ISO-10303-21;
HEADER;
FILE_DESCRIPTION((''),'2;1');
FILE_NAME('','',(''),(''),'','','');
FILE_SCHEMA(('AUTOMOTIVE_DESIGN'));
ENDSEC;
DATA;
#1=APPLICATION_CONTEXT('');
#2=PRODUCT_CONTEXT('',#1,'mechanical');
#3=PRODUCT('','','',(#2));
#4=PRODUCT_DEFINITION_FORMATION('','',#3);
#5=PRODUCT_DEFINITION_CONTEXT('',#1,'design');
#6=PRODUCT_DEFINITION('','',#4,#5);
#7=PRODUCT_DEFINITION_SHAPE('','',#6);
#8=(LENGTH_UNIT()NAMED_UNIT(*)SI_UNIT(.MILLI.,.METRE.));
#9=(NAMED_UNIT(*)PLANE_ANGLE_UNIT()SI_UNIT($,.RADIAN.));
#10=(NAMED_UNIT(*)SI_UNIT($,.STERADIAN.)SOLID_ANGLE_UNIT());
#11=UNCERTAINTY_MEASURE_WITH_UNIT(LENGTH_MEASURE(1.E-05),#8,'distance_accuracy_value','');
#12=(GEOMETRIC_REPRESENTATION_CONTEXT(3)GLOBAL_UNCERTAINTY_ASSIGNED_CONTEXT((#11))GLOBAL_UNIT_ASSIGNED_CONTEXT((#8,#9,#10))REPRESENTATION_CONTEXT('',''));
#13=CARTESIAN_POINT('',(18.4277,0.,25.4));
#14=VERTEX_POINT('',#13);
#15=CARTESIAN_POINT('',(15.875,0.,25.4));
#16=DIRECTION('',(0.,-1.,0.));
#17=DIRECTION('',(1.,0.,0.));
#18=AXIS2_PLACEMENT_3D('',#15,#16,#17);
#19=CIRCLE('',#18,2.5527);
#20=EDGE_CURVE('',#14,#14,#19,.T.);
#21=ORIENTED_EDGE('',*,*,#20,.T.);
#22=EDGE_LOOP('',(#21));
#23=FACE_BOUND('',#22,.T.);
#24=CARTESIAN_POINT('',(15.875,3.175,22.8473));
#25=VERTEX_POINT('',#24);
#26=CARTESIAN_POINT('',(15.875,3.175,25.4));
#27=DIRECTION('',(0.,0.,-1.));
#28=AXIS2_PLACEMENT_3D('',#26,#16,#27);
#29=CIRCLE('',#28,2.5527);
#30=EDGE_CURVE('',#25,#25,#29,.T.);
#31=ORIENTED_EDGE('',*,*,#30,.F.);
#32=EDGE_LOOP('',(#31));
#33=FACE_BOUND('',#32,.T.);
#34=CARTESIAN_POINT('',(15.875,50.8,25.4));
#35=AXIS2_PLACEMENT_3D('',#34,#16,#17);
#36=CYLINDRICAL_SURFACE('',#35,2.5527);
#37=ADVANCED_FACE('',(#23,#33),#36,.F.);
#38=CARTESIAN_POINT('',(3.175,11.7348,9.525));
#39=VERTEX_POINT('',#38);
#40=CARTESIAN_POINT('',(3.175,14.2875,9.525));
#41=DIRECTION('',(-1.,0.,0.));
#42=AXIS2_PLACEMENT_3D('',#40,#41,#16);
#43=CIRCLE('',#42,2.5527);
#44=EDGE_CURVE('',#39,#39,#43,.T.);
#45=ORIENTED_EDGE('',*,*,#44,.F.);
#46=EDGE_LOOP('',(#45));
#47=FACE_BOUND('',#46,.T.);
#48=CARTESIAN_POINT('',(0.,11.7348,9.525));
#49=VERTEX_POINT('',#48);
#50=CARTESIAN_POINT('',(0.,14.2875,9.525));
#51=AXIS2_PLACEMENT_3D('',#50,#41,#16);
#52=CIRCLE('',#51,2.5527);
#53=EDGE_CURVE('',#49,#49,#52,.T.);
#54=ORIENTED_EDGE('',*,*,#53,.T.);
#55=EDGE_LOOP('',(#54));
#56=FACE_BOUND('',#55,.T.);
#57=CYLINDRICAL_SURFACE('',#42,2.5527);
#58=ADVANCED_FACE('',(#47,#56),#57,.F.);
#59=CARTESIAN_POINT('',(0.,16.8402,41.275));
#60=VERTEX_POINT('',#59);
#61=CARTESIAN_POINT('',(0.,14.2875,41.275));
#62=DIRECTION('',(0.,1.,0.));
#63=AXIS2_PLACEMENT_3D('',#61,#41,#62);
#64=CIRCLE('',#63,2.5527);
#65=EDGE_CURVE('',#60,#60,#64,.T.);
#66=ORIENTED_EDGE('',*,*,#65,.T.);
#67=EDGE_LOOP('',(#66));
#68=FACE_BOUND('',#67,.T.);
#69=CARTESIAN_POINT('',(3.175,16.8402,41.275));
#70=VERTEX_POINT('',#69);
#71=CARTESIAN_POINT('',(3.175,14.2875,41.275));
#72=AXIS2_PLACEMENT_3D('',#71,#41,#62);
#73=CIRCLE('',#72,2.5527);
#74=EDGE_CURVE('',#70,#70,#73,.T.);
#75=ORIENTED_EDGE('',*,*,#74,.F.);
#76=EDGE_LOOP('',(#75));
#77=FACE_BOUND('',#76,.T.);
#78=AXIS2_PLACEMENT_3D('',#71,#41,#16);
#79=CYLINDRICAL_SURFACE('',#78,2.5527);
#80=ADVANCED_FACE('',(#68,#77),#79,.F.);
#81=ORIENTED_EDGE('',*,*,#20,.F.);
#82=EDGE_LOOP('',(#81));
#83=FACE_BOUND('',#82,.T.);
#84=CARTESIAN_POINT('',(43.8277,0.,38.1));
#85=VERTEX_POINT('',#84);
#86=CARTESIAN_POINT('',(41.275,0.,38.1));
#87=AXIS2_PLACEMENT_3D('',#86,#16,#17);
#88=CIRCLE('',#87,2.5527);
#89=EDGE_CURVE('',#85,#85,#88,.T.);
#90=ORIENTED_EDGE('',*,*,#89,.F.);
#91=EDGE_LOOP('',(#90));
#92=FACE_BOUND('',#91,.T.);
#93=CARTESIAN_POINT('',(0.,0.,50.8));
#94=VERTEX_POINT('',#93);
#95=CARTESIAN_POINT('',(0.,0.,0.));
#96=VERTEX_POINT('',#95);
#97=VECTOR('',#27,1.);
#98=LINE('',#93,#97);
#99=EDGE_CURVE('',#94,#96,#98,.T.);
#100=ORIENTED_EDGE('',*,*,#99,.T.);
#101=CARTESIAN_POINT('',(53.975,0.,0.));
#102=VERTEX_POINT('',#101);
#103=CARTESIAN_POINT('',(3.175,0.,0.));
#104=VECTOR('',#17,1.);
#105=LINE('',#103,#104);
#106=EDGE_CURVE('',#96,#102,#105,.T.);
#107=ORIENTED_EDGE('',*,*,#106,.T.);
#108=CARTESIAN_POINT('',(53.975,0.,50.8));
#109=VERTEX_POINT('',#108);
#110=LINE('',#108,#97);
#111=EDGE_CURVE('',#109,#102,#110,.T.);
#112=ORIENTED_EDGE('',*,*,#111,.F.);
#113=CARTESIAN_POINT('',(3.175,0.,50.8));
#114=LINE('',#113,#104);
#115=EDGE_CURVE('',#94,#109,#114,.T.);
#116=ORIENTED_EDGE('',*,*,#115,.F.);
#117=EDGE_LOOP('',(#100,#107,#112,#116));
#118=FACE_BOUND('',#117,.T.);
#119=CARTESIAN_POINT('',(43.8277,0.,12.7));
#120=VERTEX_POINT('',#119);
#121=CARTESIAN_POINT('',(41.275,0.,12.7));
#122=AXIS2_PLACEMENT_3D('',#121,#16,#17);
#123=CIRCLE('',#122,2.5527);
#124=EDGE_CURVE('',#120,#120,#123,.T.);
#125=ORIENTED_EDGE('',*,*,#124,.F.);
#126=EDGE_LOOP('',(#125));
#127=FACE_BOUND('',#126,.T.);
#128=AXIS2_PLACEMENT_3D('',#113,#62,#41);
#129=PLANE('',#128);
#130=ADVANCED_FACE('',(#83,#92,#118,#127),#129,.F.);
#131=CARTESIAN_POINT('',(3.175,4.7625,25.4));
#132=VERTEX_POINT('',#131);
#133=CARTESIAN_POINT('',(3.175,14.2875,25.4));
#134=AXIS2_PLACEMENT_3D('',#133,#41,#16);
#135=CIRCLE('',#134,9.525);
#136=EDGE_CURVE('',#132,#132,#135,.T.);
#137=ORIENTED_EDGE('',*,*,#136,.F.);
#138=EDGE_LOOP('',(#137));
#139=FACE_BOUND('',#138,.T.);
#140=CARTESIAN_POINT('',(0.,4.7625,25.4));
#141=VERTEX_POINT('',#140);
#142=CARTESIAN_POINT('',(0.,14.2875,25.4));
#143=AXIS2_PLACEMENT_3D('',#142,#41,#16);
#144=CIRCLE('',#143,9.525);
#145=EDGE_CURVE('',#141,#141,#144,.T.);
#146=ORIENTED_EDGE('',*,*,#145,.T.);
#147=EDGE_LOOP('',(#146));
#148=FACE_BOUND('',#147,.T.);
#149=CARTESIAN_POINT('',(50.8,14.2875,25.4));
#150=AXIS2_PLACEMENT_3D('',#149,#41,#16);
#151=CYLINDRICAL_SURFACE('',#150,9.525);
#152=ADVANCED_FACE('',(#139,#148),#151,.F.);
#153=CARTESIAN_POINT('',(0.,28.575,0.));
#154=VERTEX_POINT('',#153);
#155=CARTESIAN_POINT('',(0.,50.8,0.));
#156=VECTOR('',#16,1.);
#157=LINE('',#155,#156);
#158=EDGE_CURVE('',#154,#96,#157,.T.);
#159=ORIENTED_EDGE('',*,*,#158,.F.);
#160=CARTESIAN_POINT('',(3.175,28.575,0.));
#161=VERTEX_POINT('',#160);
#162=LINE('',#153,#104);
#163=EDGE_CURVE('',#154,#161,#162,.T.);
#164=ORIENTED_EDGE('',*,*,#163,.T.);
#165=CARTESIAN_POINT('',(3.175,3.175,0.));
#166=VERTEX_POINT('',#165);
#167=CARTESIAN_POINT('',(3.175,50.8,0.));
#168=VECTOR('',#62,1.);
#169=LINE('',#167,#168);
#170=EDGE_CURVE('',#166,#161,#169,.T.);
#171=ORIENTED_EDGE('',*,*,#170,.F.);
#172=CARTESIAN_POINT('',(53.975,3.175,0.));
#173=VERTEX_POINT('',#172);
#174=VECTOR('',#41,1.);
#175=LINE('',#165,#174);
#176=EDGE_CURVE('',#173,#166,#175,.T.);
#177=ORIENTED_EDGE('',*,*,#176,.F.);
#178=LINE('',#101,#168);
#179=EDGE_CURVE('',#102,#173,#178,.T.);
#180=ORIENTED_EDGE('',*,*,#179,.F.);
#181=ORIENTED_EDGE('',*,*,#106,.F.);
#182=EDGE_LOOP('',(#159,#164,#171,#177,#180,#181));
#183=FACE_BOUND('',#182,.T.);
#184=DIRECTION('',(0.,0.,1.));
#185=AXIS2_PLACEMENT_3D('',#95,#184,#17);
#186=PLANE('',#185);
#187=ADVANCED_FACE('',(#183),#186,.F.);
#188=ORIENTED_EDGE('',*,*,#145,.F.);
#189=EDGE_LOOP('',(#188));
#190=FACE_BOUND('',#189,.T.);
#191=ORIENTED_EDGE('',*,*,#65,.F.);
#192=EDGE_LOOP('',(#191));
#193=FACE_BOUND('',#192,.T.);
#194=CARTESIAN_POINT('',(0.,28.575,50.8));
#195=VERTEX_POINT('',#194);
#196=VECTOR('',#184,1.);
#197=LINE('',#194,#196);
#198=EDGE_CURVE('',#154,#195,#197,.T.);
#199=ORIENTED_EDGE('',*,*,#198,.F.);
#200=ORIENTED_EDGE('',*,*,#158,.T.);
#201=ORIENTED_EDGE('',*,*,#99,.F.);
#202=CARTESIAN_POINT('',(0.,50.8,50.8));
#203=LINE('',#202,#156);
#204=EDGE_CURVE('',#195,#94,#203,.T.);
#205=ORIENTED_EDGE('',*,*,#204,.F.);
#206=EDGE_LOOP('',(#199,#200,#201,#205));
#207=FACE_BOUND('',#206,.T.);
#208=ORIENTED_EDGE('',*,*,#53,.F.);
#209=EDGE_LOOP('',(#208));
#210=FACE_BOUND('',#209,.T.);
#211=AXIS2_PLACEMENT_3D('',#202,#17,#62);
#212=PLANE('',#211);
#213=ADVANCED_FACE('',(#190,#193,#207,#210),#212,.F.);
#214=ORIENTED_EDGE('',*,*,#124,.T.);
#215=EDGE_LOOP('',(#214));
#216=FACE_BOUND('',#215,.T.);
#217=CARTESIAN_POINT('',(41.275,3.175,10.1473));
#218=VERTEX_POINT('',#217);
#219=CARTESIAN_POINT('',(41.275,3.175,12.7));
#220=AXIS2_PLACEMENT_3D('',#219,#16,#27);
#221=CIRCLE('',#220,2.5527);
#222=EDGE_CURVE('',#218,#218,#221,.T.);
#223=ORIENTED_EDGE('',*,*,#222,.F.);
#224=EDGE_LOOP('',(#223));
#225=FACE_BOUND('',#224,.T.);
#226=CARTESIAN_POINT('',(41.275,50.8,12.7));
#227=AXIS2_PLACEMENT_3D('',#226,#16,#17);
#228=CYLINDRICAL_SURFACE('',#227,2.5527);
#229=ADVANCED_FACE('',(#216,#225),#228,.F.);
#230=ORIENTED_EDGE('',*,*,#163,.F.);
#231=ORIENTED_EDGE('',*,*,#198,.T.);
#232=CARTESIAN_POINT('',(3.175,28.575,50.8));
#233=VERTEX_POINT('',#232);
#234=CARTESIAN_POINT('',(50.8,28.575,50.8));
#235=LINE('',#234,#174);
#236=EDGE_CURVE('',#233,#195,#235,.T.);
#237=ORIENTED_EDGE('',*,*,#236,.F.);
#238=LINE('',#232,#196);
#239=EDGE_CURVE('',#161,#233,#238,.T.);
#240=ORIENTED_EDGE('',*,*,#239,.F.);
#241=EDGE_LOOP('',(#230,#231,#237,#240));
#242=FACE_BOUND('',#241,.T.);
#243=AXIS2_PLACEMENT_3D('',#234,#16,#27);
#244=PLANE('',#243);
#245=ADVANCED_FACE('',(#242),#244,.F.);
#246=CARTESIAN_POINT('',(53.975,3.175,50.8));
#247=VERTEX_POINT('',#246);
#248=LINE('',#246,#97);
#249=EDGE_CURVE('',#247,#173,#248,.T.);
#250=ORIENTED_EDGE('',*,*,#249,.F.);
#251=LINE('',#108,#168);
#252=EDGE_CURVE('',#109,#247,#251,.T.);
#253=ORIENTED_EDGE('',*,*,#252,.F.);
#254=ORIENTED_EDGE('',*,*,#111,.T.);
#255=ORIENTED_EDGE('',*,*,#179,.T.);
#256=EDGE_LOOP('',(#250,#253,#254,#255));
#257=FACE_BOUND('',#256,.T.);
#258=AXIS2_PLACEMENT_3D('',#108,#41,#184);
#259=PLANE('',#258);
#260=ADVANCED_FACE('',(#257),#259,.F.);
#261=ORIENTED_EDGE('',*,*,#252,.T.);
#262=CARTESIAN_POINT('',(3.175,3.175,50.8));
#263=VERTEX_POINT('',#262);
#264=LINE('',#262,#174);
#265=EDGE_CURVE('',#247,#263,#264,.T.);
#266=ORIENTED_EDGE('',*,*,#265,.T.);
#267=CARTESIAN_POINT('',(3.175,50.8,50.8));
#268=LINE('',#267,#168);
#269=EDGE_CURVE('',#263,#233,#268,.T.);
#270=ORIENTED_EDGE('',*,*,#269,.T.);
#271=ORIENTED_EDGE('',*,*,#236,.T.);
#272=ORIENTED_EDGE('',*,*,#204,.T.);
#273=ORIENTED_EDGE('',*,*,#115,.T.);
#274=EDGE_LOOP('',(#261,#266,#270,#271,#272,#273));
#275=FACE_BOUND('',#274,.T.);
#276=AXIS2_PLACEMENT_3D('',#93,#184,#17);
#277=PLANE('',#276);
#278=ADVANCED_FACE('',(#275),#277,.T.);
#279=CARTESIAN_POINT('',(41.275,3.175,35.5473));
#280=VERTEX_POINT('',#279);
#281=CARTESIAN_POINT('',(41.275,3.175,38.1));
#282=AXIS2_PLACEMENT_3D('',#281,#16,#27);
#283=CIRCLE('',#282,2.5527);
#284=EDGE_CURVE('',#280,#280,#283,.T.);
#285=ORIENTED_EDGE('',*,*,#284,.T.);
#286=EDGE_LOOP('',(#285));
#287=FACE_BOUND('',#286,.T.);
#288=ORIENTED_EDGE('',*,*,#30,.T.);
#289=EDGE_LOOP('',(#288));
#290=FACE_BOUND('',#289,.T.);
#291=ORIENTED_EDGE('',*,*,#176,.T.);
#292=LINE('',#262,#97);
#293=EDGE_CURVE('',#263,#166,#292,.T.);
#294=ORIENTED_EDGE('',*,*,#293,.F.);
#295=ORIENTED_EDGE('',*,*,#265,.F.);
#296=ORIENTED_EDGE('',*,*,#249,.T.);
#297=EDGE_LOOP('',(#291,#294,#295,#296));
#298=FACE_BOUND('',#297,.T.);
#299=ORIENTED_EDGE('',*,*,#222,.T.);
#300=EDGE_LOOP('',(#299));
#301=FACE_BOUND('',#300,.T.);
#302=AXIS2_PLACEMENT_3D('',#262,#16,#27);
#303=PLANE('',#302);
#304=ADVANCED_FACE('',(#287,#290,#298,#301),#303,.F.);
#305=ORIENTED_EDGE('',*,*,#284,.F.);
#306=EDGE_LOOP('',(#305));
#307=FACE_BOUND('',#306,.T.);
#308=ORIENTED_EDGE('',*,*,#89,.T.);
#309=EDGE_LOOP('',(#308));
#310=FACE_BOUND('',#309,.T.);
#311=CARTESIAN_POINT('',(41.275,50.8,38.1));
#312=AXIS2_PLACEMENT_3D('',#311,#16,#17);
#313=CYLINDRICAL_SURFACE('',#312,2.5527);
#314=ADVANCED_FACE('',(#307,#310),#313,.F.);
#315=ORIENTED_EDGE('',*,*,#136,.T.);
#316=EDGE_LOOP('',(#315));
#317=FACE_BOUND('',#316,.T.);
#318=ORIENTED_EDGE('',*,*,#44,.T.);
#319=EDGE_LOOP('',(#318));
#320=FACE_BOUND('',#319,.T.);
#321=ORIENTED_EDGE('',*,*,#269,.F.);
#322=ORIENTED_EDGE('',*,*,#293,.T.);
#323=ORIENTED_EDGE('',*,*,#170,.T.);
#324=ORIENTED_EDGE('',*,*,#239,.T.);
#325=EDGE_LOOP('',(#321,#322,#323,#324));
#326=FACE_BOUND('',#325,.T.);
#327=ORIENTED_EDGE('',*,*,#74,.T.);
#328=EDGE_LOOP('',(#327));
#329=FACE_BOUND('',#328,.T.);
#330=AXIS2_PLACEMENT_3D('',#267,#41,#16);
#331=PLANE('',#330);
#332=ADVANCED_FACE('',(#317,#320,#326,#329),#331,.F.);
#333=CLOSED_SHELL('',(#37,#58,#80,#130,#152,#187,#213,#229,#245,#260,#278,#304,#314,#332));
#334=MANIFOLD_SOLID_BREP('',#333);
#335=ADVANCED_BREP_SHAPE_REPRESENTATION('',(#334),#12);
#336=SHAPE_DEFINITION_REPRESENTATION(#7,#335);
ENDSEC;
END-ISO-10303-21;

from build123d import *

# Parameters (mm, degrees)
BOSS_EXTRUDE1_DEPTH = 50.8
SKETCH2_R           = 9.525
SKETCH2_W           = 50.8
SKETCH2_H           = 22.225
CUT_EXTRUDE1_DEPTH  = 50.8
SKETCH3_R           = 2.5527
CUT_EXTRUDE2_DEPTH  = 50.8
SKETCH4_R           = 2.5527
CUT_EXTRUDE3_DEPTH  = 3.175


with BuildPart() as part:
    # Sketch1 → Boss-Extrude1 (new body)
    with BuildSketch(Plane.XY):
        Polygon((3.175, 50.8), (0, 50.8), (0, 0), (3.175, 0), (53.975, 0), (53.975, 3.175), (3.175, 3.175), align=None)
    extrude(amount=BOSS_EXTRUDE1_DEPTH)

    # Sketch2 → Cut-Extrude1 (cut)
    with BuildSketch(Plane.ZY):
        with Locations((25.4, 14.2875)):
            Circle(SKETCH2_R)
        with Locations((25.4, 39.6875)):
            Rectangle(SKETCH2_W, SKETCH2_H)
    extrude(amount=-CUT_EXTRUDE1_DEPTH, mode=Mode.SUBTRACT)

    # Sketch3 → Cut-Extrude2 (cut)
    with BuildSketch(Plane(origin=(0, 0, 0), x_dir=(-1, 0, 0), z_dir=(0, -1, 0))):
        with Locations((-15.875, -25.4)):
            Circle(SKETCH3_R)
        with Locations((-41.275, -38.1)):
            Circle(SKETCH3_R)
        with Locations((-41.275, -12.7)):
            Circle(SKETCH3_R)
    extrude(amount=-CUT_EXTRUDE2_DEPTH, mode=Mode.SUBTRACT)

    # Sketch4 → Cut-Extrude3 (cut)
    with BuildSketch(Plane.ZY):
        with Locations((9.525, 14.2875)):
            Circle(SKETCH4_R)
        with Locations((41.275, 14.2875)):
            Circle(SKETCH4_R)
    extrude(amount=-CUT_EXTRUDE3_DEPTH, mode=Mode.SUBTRACT)


solid = part.part
